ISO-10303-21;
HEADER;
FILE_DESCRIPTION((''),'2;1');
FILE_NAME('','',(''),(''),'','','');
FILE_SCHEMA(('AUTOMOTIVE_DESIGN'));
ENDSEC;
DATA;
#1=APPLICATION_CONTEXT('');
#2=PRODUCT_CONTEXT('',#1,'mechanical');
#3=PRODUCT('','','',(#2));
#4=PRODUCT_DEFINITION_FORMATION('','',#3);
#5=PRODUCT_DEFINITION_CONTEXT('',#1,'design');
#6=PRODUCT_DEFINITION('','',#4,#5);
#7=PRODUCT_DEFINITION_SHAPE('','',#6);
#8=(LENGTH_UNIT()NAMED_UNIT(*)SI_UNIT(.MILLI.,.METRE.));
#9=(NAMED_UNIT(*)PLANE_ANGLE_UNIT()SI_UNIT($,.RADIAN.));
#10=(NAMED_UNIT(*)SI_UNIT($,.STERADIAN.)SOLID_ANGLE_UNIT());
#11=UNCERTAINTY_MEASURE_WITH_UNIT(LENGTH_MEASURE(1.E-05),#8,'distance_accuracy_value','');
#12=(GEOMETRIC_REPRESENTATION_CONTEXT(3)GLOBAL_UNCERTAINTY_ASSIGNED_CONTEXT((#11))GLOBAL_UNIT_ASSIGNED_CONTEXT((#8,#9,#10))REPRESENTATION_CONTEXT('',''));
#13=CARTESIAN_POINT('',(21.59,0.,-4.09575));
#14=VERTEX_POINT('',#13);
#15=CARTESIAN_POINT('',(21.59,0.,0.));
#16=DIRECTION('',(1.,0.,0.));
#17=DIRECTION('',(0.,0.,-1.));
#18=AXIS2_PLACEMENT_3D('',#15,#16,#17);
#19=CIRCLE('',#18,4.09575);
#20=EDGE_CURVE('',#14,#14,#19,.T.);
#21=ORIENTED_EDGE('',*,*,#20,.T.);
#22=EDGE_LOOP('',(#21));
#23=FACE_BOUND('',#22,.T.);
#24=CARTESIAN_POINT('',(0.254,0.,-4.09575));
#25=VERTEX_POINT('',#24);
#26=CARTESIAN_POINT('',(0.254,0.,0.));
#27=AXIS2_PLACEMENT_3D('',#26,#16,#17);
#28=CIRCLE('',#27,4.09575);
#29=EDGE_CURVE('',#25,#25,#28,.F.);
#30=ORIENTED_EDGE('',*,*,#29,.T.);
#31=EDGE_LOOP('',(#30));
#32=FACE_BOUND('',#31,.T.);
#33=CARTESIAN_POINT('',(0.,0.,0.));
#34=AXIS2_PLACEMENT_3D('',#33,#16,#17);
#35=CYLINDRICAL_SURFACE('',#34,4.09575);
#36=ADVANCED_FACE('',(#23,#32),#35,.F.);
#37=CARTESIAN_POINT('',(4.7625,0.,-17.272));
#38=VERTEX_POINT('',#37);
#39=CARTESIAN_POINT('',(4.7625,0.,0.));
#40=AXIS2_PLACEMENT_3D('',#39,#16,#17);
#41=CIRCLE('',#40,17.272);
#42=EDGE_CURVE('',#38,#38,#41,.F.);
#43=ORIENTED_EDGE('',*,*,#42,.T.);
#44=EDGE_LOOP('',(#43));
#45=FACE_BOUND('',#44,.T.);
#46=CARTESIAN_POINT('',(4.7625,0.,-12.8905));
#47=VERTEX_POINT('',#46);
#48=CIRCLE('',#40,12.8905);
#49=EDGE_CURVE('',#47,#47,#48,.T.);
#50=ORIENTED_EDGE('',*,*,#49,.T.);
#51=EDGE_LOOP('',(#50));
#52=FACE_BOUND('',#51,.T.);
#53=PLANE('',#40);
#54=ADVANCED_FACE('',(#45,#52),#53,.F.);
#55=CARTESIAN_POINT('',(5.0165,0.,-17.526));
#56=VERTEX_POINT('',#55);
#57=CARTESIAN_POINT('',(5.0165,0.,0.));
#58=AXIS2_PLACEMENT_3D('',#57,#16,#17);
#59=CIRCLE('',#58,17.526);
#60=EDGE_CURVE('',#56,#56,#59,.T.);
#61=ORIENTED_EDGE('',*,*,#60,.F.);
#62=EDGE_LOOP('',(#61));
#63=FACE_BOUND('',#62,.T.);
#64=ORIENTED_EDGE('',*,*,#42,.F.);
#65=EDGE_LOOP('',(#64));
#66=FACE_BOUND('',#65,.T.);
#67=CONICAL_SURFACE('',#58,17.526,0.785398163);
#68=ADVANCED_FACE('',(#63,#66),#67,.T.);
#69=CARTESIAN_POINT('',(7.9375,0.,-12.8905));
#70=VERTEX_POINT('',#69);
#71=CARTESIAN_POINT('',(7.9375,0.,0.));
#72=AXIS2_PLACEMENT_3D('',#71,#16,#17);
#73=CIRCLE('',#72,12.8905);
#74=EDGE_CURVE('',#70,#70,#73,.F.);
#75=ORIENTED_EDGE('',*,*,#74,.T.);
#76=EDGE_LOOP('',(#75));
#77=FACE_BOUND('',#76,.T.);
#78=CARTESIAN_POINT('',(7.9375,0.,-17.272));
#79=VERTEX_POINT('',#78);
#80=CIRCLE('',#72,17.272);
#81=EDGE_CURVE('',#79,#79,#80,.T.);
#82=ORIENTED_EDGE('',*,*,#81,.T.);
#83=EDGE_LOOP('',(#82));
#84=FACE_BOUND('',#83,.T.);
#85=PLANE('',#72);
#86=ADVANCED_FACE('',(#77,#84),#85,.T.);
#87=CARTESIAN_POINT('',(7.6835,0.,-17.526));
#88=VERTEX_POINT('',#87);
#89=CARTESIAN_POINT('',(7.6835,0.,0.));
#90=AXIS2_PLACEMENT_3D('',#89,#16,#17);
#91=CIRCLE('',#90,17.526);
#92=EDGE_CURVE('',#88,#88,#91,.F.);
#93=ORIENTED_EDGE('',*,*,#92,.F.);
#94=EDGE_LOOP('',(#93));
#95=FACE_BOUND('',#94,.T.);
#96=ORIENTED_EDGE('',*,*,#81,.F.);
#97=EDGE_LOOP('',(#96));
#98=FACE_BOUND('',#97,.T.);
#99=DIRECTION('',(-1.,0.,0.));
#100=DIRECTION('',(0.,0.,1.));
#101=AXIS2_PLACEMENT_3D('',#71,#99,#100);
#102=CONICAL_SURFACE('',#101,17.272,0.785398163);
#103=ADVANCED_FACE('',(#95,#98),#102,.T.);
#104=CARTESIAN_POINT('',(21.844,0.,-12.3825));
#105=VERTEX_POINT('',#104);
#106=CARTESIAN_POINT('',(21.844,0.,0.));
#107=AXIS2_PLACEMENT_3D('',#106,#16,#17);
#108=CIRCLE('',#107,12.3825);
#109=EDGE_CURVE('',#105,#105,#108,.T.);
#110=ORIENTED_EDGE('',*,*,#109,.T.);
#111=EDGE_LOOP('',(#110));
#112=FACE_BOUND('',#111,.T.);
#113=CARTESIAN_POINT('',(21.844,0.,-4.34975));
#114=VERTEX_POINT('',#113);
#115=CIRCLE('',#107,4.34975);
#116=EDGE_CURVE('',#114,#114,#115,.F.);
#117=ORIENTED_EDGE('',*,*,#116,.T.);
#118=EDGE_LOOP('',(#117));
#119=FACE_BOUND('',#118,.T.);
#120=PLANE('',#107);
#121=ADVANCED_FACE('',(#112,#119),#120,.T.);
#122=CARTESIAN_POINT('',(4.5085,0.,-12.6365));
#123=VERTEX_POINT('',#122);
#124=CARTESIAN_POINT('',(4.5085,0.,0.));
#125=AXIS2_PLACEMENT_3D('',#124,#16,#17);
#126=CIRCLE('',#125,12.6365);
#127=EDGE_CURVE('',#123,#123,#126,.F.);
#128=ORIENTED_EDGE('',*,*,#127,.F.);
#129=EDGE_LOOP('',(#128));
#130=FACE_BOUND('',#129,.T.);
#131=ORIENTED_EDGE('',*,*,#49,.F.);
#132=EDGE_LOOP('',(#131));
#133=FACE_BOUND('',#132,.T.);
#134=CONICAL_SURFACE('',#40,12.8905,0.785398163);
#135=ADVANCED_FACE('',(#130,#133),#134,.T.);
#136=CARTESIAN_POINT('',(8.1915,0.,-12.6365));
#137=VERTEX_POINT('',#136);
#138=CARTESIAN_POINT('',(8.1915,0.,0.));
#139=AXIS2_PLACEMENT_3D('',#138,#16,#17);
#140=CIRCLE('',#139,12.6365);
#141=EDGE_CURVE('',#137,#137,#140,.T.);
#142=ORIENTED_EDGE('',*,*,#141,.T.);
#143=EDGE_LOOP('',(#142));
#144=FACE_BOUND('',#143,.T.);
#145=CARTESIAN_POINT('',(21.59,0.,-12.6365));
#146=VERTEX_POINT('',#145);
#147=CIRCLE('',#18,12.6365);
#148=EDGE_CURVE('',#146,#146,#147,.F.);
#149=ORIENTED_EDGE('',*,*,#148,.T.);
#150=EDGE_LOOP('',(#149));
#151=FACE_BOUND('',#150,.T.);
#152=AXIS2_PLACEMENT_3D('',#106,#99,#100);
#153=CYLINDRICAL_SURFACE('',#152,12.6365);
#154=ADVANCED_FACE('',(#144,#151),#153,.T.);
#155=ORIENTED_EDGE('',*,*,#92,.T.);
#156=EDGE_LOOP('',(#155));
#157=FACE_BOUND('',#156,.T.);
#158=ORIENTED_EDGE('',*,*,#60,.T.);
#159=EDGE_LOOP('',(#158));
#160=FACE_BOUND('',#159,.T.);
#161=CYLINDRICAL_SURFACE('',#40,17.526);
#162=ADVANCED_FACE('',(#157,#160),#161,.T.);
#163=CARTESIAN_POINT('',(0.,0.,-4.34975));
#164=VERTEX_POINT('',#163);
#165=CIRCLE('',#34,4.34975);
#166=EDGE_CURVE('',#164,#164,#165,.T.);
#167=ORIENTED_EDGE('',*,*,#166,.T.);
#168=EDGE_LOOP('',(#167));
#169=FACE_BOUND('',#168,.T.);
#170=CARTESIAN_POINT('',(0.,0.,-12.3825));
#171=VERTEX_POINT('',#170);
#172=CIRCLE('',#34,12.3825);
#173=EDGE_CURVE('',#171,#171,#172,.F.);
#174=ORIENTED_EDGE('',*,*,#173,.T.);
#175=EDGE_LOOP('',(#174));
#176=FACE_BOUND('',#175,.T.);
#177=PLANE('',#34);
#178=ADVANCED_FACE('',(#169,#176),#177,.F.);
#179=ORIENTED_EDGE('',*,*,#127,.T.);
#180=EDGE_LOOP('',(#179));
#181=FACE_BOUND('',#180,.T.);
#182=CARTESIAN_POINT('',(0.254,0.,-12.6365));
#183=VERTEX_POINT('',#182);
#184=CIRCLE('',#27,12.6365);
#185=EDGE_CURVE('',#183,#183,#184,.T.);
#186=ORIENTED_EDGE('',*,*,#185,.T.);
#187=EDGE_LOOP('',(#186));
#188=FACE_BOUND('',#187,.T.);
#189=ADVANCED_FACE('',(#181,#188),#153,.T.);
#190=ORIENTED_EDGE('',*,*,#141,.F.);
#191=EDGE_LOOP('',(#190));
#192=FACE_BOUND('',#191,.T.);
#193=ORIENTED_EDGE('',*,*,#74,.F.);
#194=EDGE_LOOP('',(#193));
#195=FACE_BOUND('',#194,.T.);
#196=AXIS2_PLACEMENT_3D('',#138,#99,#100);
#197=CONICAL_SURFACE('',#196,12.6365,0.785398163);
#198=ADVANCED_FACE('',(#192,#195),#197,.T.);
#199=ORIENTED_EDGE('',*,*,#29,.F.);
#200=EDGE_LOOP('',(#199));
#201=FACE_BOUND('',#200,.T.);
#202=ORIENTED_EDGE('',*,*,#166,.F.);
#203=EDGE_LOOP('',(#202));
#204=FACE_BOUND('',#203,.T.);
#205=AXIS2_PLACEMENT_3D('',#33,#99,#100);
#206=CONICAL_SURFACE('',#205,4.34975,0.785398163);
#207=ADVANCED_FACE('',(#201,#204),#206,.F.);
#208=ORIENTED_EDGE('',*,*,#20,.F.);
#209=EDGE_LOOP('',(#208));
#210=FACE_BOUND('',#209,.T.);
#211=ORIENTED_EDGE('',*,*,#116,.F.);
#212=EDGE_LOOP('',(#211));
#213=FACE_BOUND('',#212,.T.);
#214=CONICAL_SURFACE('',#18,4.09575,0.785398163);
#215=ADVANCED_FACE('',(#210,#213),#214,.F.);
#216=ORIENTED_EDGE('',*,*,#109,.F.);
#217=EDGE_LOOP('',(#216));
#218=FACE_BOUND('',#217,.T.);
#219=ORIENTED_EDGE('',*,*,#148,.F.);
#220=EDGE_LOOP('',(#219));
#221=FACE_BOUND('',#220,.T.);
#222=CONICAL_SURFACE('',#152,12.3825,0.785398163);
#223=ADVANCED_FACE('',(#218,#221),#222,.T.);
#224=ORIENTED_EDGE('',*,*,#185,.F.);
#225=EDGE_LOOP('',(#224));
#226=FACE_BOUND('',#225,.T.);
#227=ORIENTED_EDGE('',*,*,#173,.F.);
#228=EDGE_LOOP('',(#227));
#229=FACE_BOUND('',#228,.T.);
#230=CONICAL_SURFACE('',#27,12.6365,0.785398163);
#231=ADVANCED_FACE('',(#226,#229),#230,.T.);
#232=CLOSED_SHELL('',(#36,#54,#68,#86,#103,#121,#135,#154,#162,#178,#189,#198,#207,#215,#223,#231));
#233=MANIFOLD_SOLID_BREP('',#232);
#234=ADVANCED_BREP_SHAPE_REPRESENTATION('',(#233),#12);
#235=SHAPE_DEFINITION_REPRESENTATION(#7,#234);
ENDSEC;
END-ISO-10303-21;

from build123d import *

# Parameters (mm, degrees)
SKETCH1_R           = 12.6365
BOSS_EXTRUDE1_DEPTH = 21.844
SKETCH2_R           = 17.526
BOSS_EXTRUDE2_DEPTH = 3.175
CHAMFER1_SIZE       = 0.254
SKETCH3_R           = 4.09575
CUT_EXTRUDE1_DEPTH  = 34.037579936
CHAMFER2_SIZE       = 0.254


with BuildPart() as part:
    # Sketch1 → Boss-Extrude1 (new body)
    with BuildSketch(Plane(origin=(0, 0, 0), x_dir=(0, 0, -1), z_dir=(1, 0, 0))):
        Circle(SKETCH1_R)
    extrude(amount=BOSS_EXTRUDE1_DEPTH)

    # Sketch2 → Boss-Extrude2 (add)
    with BuildSketch(Plane(origin=(7.9375, 0, 0), x_dir=(0, 0, -1), z_dir=(1, 0, 0))):
        Circle(SKETCH2_R)
    extrude(amount=-BOSS_EXTRUDE2_DEPTH)

    # Chamfer1
    chamfer1_edges = [part.edges().sort_by_distance(p)[0] for p in [
        (0, 0, 12.6365),
        (21.844, 0, 12.6365),
        (4.7625, 0, 12.6365),
        (7.9375, 0, 12.6365),
        (4.7625, 0, 17.526),
        (7.9375, 0, 17.526),
    ]]
    chamfer(chamfer1_edges, length=CHAMFER1_SIZE)

    # Sketch3 → Cut-Extrude1 (cut, through all)
    with BuildSketch(Plane(origin=(21.844, 0, 0), x_dir=(0, 0, -1), z_dir=(1, 0, 0))):
        Circle(SKETCH3_R)
    extrude(amount=-CUT_EXTRUDE1_DEPTH, mode=Mode.SUBTRACT)

    # Chamfer2
    chamfer2_edges = [part.edges().sort_by_distance(p)[0] for p in [
        (0, 0, 4.09575),
        (21.844, 0, 4.09575),
    ]]
    chamfer(chamfer2_edges, length=CHAMFER2_SIZE)


solid = part.part
